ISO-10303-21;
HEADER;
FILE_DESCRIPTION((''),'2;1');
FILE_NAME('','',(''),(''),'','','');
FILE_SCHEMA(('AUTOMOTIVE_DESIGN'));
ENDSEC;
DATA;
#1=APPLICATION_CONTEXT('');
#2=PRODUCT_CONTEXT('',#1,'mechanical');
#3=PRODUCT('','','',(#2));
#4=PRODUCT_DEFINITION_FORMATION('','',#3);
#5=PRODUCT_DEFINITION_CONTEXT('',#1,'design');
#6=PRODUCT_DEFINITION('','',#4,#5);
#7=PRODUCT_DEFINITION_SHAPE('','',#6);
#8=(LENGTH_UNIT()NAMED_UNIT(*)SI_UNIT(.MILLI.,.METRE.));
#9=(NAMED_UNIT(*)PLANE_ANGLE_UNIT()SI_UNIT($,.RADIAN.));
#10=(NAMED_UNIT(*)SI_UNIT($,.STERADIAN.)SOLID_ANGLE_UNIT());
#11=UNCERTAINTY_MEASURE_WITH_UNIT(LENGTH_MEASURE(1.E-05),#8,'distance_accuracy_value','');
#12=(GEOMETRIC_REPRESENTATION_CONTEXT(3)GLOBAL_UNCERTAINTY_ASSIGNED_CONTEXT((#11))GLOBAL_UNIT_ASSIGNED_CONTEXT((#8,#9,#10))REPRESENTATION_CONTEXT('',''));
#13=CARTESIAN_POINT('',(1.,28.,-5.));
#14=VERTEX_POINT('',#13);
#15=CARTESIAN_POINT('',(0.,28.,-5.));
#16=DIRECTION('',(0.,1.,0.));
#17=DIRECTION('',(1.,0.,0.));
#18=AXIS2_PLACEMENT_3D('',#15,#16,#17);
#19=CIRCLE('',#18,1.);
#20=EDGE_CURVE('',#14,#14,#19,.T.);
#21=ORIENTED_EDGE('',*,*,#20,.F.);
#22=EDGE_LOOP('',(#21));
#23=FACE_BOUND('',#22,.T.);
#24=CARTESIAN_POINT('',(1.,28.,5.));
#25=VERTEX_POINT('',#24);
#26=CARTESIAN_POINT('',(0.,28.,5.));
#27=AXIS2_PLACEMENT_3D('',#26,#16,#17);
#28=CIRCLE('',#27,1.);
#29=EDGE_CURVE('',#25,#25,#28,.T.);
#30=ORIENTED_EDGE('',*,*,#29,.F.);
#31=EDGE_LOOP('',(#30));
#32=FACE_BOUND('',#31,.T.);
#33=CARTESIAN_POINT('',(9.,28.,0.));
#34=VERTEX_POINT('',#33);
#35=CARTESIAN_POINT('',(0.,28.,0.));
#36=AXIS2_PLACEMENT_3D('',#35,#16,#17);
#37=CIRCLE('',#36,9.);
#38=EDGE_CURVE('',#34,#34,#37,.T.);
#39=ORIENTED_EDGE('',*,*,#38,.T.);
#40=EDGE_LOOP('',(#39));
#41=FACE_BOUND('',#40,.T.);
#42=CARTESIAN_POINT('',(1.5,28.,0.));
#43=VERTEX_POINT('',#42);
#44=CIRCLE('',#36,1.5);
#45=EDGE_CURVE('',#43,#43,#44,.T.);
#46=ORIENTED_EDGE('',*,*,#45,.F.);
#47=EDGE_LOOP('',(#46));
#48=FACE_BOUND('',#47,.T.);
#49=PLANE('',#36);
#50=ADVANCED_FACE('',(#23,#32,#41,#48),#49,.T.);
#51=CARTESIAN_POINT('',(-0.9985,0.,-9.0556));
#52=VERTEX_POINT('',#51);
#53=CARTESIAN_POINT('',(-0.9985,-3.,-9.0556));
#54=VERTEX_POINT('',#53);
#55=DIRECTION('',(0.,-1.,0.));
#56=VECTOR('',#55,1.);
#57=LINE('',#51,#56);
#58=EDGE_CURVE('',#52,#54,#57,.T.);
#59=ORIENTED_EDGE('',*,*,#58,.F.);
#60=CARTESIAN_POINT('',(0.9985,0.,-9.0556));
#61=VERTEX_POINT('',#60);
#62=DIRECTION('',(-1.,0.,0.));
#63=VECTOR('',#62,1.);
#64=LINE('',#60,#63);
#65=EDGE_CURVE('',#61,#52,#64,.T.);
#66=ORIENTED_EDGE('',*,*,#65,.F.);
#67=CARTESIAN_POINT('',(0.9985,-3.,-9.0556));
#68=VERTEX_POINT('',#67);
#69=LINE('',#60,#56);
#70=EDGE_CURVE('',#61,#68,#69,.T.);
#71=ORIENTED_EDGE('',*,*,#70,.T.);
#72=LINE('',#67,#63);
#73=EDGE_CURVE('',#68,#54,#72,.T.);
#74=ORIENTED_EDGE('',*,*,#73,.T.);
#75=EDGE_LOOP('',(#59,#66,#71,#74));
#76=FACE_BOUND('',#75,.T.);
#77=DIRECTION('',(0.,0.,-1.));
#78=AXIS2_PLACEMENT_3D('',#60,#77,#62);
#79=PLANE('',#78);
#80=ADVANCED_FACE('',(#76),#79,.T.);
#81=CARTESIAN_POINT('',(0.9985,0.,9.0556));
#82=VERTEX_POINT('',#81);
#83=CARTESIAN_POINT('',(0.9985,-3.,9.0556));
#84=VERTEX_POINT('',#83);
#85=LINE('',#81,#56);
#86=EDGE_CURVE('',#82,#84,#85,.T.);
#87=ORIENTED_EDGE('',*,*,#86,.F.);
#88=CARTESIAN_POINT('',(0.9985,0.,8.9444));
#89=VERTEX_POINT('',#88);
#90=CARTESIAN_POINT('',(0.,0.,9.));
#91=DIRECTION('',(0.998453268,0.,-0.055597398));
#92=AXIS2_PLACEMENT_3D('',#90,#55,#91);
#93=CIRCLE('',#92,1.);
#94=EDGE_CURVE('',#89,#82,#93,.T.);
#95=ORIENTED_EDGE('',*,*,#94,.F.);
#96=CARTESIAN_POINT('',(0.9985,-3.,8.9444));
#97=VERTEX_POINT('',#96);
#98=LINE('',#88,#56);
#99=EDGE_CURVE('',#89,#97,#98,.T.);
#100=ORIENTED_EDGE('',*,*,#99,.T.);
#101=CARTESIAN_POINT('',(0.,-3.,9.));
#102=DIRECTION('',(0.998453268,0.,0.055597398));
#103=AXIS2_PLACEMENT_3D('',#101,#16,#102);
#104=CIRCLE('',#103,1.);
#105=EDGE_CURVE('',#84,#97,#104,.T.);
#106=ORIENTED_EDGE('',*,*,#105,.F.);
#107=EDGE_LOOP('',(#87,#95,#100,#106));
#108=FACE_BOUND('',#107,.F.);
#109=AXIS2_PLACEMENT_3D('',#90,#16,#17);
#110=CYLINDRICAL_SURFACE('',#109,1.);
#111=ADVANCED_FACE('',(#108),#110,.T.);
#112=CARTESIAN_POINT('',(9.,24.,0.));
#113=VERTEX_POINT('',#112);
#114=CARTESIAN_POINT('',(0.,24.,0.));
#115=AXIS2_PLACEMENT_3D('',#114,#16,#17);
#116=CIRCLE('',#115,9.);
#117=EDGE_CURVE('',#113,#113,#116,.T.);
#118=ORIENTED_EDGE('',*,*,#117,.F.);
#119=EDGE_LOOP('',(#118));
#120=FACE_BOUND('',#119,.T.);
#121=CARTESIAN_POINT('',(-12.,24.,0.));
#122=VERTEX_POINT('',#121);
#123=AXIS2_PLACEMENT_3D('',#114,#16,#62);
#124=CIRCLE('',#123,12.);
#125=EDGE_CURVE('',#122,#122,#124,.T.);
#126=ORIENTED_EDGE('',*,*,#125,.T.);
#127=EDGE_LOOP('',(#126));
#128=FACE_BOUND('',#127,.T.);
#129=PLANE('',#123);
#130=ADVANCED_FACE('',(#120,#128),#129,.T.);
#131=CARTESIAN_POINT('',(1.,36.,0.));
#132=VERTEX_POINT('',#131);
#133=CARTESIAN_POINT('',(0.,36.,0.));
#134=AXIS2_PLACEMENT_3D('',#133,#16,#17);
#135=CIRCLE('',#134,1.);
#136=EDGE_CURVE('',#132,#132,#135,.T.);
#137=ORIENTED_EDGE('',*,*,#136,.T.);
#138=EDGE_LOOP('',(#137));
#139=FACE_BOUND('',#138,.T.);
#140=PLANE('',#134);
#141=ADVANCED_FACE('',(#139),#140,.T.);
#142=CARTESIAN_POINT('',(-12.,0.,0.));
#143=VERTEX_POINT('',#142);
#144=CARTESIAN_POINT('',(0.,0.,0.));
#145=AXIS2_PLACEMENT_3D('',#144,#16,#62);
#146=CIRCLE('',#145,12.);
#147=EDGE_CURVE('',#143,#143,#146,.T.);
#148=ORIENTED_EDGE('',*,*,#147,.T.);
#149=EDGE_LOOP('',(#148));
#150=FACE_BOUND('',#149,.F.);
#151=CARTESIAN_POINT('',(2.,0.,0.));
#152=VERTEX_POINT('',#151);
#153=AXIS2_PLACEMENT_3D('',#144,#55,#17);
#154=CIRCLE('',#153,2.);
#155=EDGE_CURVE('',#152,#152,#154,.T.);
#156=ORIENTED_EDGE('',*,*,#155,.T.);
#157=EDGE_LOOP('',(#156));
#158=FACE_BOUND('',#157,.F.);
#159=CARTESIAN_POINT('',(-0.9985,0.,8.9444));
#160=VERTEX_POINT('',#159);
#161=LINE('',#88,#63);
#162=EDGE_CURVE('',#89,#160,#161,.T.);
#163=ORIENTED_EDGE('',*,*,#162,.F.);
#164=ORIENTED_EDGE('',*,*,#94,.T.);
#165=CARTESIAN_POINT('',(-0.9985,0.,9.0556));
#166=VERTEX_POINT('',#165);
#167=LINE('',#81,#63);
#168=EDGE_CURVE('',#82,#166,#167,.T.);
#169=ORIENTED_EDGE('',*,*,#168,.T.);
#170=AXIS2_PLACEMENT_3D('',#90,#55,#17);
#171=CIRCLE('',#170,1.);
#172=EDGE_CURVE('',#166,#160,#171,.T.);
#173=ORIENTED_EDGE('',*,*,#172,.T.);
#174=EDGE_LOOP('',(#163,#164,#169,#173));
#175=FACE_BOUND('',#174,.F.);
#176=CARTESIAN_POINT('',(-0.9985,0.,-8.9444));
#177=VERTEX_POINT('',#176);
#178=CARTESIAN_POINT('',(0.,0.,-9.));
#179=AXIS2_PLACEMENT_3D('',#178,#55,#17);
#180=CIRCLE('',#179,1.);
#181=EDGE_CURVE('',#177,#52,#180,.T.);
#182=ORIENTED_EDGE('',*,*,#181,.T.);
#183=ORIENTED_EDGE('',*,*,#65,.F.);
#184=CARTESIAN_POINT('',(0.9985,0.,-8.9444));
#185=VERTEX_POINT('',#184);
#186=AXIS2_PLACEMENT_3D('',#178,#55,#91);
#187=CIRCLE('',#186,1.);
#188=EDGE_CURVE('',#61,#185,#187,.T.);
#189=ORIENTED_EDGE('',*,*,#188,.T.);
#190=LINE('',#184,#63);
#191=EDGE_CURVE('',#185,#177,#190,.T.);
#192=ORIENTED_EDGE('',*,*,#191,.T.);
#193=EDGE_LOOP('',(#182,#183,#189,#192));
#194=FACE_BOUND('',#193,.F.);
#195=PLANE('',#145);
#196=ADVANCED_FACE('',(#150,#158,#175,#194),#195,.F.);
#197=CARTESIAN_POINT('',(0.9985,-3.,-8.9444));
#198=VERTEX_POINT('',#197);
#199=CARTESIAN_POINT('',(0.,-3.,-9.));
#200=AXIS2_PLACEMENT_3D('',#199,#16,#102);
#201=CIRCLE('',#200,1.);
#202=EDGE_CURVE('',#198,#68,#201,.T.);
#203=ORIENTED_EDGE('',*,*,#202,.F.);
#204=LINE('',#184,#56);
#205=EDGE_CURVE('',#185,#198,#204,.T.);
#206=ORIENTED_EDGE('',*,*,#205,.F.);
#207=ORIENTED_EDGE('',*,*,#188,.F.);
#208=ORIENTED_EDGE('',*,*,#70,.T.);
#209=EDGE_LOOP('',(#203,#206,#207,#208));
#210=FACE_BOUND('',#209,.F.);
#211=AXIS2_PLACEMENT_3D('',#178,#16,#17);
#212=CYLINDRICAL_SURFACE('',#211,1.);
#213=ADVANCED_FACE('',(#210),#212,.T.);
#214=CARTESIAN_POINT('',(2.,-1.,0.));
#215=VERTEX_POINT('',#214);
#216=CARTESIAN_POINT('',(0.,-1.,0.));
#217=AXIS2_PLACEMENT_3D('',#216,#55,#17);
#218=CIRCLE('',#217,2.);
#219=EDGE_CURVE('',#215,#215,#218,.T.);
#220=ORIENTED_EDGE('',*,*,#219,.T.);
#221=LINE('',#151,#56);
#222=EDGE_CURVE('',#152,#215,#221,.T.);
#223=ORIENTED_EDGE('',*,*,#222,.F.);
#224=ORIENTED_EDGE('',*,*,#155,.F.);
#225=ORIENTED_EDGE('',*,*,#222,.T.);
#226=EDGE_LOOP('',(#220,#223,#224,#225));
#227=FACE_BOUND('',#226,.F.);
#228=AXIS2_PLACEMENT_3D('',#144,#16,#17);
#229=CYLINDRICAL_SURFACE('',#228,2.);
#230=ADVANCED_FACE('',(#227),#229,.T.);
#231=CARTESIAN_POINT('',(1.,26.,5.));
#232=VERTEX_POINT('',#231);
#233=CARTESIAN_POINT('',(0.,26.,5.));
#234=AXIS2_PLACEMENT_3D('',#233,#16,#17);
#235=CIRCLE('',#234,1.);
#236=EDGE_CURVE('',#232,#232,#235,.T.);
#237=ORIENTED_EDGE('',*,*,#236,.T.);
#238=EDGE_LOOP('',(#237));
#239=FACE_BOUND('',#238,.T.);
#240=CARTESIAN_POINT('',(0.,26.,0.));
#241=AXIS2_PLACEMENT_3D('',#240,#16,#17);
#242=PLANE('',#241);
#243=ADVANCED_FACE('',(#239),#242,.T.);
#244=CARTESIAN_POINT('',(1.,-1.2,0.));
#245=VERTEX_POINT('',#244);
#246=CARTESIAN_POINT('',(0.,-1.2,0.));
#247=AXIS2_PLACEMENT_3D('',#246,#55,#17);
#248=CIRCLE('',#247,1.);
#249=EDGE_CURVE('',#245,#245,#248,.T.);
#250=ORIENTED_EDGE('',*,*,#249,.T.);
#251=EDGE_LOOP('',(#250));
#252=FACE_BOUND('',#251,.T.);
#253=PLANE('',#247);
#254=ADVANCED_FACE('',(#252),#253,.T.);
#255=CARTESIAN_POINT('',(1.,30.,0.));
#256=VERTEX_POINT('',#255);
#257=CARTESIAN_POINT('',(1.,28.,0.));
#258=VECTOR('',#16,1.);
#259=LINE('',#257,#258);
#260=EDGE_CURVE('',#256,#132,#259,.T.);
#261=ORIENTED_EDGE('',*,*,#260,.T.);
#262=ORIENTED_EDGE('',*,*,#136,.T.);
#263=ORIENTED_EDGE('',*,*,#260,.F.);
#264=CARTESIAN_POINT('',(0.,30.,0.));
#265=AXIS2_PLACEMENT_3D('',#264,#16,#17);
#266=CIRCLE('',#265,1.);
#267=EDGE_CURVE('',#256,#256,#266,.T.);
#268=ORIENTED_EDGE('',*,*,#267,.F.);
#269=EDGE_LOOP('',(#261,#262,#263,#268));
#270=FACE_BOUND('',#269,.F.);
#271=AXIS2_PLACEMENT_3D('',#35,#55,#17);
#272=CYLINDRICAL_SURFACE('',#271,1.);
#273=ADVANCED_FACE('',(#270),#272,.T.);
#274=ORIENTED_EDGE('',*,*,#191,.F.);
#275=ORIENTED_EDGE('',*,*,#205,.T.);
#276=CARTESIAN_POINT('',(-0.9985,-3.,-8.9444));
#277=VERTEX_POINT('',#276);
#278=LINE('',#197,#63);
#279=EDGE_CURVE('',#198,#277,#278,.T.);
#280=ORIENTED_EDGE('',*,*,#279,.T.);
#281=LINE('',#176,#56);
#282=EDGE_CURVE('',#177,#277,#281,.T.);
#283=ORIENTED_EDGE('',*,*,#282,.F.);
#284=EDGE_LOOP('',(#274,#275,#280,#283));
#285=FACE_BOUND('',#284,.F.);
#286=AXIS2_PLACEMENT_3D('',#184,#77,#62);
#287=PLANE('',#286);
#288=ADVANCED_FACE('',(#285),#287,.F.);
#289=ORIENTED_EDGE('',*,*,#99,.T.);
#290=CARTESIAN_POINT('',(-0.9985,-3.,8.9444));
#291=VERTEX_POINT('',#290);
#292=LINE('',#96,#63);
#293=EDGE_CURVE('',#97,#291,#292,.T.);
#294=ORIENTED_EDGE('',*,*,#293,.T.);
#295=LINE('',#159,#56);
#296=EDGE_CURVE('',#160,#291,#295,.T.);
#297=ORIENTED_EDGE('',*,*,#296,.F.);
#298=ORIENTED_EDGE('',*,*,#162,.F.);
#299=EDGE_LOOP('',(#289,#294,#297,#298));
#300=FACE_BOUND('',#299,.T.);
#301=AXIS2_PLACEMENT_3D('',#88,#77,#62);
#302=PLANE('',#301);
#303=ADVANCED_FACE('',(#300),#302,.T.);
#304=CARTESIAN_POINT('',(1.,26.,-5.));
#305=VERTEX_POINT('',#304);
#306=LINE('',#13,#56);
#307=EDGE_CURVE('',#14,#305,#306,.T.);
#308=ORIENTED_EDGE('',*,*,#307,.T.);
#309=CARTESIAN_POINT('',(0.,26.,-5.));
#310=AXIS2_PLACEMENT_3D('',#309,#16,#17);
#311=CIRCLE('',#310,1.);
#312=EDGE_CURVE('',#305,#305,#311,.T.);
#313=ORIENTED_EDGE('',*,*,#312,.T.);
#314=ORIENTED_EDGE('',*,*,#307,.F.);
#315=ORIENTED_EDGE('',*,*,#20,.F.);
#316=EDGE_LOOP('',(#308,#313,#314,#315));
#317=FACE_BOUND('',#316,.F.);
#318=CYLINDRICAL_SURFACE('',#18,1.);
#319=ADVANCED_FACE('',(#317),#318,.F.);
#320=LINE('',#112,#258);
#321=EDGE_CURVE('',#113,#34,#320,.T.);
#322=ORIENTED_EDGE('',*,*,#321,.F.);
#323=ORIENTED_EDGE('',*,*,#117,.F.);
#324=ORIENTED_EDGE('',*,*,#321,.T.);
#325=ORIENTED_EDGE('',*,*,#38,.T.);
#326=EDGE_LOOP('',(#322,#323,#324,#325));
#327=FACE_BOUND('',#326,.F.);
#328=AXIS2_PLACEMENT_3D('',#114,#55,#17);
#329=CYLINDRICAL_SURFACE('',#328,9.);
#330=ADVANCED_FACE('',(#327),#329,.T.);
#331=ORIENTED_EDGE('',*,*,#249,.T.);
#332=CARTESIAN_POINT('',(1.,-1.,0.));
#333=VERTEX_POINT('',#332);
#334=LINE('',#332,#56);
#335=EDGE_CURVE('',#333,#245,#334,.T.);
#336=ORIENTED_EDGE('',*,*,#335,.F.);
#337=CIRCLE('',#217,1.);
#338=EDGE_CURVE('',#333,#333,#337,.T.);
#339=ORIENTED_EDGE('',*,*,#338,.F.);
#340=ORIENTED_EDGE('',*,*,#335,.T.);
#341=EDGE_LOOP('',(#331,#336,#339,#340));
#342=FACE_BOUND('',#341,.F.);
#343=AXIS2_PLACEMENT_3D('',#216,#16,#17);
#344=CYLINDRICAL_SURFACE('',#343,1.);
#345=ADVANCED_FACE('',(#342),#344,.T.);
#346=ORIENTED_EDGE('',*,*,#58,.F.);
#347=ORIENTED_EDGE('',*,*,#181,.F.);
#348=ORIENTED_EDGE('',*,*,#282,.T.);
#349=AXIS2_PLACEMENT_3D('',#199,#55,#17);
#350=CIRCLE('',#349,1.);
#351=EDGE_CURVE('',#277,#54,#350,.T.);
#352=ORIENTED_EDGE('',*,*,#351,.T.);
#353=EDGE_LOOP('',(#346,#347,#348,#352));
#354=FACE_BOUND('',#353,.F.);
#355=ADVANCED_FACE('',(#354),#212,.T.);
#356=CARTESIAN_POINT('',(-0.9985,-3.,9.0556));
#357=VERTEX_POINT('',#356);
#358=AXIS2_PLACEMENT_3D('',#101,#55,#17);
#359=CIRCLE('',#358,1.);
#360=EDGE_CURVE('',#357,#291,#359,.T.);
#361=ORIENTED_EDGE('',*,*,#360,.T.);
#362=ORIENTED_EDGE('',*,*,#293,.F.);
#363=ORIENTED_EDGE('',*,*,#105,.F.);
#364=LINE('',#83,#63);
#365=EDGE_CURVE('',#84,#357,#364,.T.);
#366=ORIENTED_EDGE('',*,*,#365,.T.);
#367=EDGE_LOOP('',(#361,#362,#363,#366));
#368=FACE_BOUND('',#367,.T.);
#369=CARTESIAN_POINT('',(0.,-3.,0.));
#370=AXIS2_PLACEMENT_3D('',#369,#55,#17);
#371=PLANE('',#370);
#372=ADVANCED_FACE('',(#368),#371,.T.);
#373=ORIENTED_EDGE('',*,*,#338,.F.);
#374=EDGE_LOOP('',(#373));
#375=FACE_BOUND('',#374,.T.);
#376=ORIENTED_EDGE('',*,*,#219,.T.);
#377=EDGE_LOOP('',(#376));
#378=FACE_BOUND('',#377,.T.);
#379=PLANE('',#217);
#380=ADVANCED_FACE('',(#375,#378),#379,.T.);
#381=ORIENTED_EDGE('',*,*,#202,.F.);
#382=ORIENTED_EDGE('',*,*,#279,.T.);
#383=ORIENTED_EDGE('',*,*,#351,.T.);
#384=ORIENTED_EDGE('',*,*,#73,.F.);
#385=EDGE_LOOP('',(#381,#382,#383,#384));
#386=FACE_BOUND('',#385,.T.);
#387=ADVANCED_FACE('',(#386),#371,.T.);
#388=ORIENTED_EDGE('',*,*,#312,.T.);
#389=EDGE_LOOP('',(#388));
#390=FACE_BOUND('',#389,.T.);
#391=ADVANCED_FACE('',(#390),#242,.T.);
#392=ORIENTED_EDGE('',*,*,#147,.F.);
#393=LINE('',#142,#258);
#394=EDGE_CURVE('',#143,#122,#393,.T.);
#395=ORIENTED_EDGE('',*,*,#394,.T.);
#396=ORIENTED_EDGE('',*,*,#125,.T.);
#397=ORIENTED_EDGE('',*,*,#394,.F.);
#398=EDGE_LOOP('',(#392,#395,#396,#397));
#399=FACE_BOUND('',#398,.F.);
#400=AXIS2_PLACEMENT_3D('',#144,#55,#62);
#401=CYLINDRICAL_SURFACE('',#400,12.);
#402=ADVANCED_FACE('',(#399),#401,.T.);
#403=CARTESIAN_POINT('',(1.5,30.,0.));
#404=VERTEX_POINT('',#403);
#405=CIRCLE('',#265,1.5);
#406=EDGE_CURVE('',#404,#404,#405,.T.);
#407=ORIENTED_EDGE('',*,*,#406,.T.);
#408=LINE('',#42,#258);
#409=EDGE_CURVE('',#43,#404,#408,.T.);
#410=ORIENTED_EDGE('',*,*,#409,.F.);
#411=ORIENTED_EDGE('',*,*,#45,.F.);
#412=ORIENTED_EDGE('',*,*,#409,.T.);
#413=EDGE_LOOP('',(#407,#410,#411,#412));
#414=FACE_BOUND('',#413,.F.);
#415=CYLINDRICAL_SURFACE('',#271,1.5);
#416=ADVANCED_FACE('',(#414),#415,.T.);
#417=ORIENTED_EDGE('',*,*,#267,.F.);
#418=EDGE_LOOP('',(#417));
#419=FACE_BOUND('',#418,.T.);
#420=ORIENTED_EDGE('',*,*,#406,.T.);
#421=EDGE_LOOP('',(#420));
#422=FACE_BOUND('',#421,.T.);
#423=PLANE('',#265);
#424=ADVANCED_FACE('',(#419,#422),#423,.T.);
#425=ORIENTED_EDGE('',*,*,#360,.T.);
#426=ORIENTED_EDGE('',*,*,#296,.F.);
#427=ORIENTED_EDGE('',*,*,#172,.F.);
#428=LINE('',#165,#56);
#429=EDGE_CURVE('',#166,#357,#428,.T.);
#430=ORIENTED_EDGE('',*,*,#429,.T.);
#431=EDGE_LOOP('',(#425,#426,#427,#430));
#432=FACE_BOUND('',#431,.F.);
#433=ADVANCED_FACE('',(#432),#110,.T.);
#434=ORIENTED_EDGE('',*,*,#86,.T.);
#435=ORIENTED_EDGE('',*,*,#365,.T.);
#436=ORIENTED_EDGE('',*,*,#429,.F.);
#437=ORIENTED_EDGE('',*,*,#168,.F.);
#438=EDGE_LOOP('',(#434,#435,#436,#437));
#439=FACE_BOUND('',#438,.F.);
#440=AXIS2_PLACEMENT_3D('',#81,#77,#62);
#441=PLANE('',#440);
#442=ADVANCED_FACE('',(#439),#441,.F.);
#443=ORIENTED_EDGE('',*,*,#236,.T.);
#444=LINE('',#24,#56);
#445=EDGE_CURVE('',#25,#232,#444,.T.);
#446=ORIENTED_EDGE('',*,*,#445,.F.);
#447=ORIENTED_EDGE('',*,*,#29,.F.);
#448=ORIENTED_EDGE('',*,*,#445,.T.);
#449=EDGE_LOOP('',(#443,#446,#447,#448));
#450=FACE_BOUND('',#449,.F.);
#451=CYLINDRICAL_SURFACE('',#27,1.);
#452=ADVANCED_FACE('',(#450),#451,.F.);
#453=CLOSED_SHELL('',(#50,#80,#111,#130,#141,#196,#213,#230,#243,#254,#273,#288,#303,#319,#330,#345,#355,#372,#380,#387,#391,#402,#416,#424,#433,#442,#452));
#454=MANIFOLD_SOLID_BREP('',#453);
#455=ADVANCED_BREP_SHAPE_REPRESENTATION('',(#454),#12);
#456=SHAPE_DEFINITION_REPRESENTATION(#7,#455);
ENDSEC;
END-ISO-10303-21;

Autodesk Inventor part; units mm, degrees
ref_plane "YZ Plane" through (0, 0, 0) normal (1, 0, 0) x (0, 1, 0)
ref_plane "XZ Plane" through (0, 0, 0) normal (0, 1, 0) x (-1, 0, 0)
ref_plane "XY Plane" through (0, 0, 0) normal (0, 0, 1) x (1, 0, 0)
sketch "Sketch1" plane through (0, 0, 0) normal (0, 1, 0) x (-1, 0, 0)
  circle A0 centre (0, 0) radius 12
  dimension "d0" = 24
extrude "Extrusion1" add sketch "Sketch1" along normal blind 24
sketch "Sketch2" plane through (0, 24, 0) normal (0, 1, 0) x (1, 0, 0)
  circle A0 centre (0, 0) radius 9
  dimension "d3" = 18
extrude "Extrusion2" add sketch "Sketch2" along normal blind 4
sketch "Sketch3" plane through (0, 28, 0) normal (0, 1, 0) x (1, 0, 0)
  circle A0 centre (0, 0) radius 1
  circle A1 centre (0, 0) radius 1.5
  dimension "d6" = 2
  dimension "d7" = 3
extrude "Extrusion3" add sketch "Sketch3" along normal blind 2
sketch "Sketch4" plane through (0, 28, 0) normal (0, 1, 0) x (1, 0, 0)
  circle A0 centre (0, 0) radius 1
extrude "Extrusion4" add sketch "Sketch4" along normal blind 8
sketch "Sketch5" plane through (0, 0, 0) normal (0, -1, 0) x (1, 0, 0)
  circle A0 centre (0, 0) radius 9 projected
  circle A1 centre (0, 9) radius 1
  circle A2 centre (0, -9) radius 1
  line L0 (0.9985, 8.9444) -> (-0.9985, 8.9444)
  line L1 (0.9985, 9.0556) -> (-0.9985, 9.0556)
  line L2 (0.9985, -8.9444) -> (-0.9985, -8.9444)
  line L3 (0.9985, -9.0556) -> (-0.9985, -9.0556)
  dimension "d12" = 2
  dimension "d13" = 2
extrude "Extrusion5" add sketch "Sketch5" along normal blind 3 contours L0 A0 | A0 A1 L1 | A2 L3 A0 | A0 L2
sketch "Sketch6" plane through (0, 0, 0) normal (0, -1, 0) x (1, 0, 0)
  circle A0 centre (0, 0) radius 1.5 projected
  circle A1 centre (0, 0) radius 2
  dimension "d16" = 4
extrude "Extrusion6" add sketch "Sketch6" along normal blind 1 contours A0 | A1
sketch "Sketch7" plane through (0, -1, 0) normal (0, -1, 0) x (1, 0, 0)
  circle A0 centre (0, 0) radius 1
  dimension "d19" = 2
extrude "Extrusion7" add sketch "Sketch7" along normal blind 0.2
sketch "Sketch8" plane through (0, 28, 0) normal (0, 1, 0) x (1, 0, 0)
  circle A0 centre (0, 5) radius 1
  circle A1 centre (0, -5) radius 1
  point P0 (0, 0)
  dimension "d22" = 2
  dimension "d23" = 2
extrude "Extrusion8" cut sketch "Sketch8" against normal blind 2
sketch "Sketch9" plane through (0.9985, 0, -9.0556) normal (0, 0, -1) x (-1, 0, 0)
  point P0 (0.9985, 0)
equation "\"BendRadius\" = Thickness"
equation "\"BendReliefWidth\" = Thickness"
equation "\"BendReliefDepth\" = 0.5 * Thickness"
equation "\"CornerReliefSize\" = 4 * Thickness"
equation "\"MinimumRemnant\" = 2 * Thickness"
equation "\"TransitionRadius\" = BendRadius"
equation "\"JacobiRadiusSize\" = BendRadius"
equation "\"GapSize\" = Thickness"
equation "\"Thickness\" = 0.5"
